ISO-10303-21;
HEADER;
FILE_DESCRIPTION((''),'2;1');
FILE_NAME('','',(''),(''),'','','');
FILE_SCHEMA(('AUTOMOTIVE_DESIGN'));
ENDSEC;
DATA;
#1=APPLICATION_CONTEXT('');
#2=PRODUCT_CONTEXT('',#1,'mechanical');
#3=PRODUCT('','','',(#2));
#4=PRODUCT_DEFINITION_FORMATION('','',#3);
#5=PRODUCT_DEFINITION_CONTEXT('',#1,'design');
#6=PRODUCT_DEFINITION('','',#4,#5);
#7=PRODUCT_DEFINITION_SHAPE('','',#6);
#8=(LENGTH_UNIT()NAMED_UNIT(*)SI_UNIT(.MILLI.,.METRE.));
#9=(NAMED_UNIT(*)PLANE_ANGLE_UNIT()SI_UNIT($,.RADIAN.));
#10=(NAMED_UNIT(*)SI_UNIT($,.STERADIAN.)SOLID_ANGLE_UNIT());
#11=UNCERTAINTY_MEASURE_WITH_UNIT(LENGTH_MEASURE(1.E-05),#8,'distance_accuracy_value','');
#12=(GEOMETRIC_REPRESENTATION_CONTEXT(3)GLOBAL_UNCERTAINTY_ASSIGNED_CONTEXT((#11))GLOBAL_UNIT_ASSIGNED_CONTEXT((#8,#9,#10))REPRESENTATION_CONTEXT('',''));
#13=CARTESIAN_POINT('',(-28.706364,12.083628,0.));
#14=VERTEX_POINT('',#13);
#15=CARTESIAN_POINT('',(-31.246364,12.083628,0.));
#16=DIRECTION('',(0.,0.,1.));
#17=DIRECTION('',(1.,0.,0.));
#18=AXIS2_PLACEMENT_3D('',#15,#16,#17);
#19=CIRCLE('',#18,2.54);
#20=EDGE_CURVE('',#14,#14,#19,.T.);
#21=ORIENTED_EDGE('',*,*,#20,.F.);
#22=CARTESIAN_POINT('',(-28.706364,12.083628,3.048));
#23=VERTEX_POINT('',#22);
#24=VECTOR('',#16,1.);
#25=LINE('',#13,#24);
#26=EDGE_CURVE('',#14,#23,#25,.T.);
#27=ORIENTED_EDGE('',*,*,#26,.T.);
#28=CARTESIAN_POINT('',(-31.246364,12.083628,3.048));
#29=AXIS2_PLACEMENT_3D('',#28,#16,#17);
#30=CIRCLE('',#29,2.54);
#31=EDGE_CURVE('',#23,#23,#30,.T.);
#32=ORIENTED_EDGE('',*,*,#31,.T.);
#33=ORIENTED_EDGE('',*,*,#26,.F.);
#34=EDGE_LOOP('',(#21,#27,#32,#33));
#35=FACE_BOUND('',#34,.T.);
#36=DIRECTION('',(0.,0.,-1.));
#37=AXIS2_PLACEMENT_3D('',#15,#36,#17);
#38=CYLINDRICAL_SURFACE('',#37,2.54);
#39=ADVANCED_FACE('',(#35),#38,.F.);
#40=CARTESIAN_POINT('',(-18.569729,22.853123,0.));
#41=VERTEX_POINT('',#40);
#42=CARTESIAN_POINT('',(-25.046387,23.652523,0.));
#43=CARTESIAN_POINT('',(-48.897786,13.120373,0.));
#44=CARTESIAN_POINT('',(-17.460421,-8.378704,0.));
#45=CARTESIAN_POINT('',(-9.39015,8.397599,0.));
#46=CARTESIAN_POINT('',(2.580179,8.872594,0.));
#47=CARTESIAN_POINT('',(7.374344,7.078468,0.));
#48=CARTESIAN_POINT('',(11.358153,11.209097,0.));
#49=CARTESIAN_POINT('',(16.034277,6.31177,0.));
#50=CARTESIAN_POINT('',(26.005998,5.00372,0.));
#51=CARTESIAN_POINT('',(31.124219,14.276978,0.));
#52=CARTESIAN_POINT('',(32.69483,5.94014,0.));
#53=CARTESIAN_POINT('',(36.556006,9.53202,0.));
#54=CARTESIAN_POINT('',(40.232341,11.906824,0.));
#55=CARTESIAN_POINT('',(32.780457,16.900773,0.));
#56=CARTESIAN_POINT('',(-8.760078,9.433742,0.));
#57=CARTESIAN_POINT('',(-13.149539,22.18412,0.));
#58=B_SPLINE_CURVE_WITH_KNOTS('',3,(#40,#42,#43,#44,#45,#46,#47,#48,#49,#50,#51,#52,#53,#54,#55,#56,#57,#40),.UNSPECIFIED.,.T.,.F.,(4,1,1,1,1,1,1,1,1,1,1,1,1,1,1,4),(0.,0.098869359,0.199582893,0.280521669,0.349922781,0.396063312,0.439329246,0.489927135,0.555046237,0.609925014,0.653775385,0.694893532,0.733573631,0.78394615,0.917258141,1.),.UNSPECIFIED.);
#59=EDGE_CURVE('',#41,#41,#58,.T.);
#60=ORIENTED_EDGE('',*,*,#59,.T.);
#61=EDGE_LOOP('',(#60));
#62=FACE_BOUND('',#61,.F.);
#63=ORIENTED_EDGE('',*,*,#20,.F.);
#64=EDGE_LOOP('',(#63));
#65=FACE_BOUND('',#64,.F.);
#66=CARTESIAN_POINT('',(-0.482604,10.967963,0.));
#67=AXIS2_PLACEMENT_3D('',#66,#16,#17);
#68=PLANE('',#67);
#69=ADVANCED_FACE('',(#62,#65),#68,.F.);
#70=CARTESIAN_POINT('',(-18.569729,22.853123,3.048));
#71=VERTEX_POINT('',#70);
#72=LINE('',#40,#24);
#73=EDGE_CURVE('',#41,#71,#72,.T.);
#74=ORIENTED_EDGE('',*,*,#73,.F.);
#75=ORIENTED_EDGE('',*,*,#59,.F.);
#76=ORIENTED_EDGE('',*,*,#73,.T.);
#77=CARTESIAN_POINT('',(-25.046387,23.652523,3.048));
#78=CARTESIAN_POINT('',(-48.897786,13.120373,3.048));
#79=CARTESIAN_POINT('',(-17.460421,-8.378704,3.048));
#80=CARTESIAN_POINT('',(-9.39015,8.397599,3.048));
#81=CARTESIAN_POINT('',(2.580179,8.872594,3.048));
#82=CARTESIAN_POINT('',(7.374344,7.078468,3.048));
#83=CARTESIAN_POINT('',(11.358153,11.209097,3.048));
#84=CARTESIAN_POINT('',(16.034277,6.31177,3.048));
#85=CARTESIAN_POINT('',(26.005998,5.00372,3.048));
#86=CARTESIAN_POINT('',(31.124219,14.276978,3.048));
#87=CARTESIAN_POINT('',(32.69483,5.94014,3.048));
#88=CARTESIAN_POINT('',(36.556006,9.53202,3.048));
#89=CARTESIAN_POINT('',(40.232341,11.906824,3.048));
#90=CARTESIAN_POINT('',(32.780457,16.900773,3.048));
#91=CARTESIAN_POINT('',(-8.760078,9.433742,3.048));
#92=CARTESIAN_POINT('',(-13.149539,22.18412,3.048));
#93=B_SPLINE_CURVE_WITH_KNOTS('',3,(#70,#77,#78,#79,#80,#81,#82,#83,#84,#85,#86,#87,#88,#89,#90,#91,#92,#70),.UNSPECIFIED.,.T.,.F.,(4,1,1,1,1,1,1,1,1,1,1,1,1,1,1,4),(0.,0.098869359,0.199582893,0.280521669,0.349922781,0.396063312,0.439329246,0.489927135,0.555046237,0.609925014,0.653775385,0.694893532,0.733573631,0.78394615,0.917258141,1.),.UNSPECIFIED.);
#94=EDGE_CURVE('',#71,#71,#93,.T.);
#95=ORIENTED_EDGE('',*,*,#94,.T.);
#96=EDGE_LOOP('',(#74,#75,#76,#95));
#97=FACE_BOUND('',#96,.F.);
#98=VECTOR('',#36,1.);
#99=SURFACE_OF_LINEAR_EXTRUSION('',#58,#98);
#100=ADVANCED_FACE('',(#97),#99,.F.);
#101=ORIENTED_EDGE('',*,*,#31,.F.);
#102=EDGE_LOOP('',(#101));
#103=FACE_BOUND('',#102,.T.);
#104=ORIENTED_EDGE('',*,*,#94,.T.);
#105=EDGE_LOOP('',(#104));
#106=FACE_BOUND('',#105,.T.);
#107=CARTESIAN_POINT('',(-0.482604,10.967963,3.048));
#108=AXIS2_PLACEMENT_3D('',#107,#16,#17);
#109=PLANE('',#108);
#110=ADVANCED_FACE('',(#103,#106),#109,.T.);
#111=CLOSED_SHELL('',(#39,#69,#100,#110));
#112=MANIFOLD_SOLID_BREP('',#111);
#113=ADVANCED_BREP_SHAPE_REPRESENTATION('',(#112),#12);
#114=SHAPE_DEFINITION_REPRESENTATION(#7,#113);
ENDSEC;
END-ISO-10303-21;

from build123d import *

# Parameters (mm, degrees)
F0_R     = 2.54
F1_DEPTH = 3.048


with BuildPart() as f1:
    # F0 (on Top) → F1 (new body)
    with BuildSketch(Plane.XY):
        with BuildLine():
            add(Edge.make_bspline(
                [(-18.5697288196, 22.8531227986), (-25.0463867028, 23.6525227872), (-48.8977855543, 13.120372523), (-17.4604211228, -8.378704025), (-9.3901495819, 8.3975991771), (2.5801791779, 8.872594285), (7.3743442216, 7.0784684636), (11.3581529843, 11.2090971204), (16.03427746, 6.3117704568), (26.0059981151, 5.0037204073), (31.1242189471, 14.2769781963), (32.6948302102, 5.9401399566), (36.5560056476, 9.5320200614), (40.2323412165, 11.9068243753), (32.7804571912, 16.900773031), (-8.7600783767, 9.4337419547), (-13.1495387412, 22.1841203648), (-18.5697288196, 22.8531227986)],
                knots=[0, 0, 0, 0, 0.0988693585, 0.1995828928, 0.2805216687, 0.3499227811, 0.3960633124, 0.4393292464, 0.4899271353, 0.5550462368, 0.609925014, 0.6537753849, 0.6948935323, 0.733573631, 0.78394615, 0.9172581406, 1, 1, 1, 1], degree=3))
        make_face()
        with Locations((-31.2463641167, 12.0836282149)):
            Circle(F0_R, mode=Mode.SUBTRACT)
    extrude(amount=F1_DEPTH)


solid = f1.part
